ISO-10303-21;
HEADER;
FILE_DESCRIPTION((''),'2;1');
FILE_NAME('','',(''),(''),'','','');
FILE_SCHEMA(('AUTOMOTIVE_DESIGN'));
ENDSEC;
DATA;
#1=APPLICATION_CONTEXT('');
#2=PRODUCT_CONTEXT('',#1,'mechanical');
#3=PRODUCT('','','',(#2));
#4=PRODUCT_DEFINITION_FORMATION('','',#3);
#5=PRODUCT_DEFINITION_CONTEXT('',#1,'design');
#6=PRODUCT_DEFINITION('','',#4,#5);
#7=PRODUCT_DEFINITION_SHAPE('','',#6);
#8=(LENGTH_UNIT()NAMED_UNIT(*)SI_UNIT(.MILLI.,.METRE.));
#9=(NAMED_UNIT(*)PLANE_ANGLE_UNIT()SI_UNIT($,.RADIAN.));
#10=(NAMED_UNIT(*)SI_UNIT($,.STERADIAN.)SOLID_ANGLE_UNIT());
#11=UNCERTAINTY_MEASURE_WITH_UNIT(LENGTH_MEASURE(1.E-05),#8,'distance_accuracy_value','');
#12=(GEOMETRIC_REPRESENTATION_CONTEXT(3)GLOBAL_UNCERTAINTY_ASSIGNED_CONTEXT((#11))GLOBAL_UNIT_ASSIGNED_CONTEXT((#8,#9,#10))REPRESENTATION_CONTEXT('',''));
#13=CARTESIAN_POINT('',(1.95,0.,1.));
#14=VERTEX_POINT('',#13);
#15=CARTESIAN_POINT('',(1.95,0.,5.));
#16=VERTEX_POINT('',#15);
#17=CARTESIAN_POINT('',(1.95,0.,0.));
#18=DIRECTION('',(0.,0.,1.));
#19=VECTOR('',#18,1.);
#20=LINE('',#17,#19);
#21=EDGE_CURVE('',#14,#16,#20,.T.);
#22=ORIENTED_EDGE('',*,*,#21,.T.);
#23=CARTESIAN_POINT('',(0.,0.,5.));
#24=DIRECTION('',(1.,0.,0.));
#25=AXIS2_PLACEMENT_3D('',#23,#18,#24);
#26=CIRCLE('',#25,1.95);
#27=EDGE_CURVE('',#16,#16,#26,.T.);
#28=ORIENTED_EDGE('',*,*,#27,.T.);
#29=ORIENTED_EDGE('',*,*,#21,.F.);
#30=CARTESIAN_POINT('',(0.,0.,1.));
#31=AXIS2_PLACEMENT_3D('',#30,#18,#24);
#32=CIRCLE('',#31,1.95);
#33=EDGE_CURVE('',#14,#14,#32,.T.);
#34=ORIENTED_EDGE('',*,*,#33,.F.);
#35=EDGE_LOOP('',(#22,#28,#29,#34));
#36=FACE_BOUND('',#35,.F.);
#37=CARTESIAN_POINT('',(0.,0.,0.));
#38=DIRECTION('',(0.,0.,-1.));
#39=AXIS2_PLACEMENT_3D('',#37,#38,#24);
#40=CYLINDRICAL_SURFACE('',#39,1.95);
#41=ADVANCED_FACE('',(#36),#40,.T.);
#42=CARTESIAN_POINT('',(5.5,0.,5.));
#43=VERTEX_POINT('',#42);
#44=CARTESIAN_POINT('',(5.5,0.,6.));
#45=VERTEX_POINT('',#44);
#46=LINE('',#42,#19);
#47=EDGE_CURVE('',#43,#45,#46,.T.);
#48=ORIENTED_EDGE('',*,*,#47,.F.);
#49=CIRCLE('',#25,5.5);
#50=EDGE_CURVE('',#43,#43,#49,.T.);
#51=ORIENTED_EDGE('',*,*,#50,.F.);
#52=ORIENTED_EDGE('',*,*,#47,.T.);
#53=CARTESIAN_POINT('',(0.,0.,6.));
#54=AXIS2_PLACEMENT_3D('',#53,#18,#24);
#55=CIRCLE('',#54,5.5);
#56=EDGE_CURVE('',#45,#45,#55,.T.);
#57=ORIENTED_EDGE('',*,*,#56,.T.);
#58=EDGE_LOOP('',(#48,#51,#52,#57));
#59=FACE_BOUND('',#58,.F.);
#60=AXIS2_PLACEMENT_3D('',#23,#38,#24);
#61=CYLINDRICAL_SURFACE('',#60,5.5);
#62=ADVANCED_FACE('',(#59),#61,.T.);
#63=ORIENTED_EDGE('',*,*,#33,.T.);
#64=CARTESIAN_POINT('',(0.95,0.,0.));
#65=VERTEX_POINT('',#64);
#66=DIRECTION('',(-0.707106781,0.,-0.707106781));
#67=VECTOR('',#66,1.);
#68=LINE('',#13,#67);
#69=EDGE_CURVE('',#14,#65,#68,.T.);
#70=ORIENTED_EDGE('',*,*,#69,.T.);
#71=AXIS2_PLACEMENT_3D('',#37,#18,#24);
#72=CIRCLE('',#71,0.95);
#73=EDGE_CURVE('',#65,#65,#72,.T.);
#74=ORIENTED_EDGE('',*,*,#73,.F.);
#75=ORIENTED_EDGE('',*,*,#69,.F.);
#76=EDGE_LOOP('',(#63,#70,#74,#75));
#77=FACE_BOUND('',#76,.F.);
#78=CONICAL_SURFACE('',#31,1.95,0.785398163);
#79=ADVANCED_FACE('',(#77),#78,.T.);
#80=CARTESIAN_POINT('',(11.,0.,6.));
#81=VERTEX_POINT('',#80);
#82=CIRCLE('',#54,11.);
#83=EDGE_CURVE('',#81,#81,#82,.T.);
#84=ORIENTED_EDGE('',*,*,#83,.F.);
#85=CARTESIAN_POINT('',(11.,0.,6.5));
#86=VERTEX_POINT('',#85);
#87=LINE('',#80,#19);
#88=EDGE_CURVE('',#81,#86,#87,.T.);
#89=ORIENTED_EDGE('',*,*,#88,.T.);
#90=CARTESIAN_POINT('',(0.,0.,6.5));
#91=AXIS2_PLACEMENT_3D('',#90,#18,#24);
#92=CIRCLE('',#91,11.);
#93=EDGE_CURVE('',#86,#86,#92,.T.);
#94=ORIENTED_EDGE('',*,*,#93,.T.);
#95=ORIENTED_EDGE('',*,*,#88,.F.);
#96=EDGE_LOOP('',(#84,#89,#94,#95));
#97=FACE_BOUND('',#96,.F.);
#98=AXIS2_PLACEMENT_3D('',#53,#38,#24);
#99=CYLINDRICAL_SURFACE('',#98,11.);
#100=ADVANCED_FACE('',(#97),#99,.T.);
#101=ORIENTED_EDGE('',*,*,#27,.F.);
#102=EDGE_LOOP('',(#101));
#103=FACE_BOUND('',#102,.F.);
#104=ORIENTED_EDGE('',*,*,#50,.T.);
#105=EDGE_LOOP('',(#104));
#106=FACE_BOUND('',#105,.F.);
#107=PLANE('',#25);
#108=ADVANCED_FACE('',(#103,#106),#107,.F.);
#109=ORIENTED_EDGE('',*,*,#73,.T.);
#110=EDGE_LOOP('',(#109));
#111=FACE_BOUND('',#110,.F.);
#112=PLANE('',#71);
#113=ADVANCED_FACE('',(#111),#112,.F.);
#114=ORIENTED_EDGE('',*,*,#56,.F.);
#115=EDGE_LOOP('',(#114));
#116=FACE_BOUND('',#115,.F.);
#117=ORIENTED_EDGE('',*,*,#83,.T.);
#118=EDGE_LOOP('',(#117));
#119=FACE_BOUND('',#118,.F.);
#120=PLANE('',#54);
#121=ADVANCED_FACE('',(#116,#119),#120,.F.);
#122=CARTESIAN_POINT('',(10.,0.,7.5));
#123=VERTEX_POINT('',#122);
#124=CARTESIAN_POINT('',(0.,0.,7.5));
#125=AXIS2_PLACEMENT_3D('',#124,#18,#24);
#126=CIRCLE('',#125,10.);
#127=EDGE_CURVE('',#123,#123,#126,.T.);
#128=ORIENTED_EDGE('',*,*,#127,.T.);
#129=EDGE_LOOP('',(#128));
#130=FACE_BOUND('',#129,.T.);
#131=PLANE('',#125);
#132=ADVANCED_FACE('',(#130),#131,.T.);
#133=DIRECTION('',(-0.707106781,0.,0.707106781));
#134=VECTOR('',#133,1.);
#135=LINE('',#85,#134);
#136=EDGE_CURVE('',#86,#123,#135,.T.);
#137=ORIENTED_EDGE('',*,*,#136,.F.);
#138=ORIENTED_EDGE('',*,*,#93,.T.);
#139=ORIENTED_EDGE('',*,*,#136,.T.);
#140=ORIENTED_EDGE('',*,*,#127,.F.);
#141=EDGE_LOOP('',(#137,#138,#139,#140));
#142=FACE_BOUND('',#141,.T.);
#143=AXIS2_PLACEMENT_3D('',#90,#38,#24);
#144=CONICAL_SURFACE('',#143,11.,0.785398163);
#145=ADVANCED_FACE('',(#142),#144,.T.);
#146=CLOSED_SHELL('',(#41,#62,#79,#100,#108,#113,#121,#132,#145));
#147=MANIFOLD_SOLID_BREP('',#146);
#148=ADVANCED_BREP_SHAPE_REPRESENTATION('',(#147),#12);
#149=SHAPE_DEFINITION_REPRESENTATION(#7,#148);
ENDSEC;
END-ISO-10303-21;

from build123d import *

# Parameters (mm, degrees)
F0_R     = 1.95
F1_DEPTH = 5
F2_R     = 5.5
F2_R_2   = 1.95
F3_DEPTH = 1
F4_R     = 11
F5_DEPTH = 1.5
F6_SIZE  = 1


with BuildPart() as f1:
    # F0 (on Top) → F1 (new body)
    with BuildSketch(Plane.XY):
        Circle(F0_R)
    extrude(amount=F1_DEPTH)

    # F2 (on face) → F3 (join)
    with BuildSketch(Plane.XY.offset(5)):
        Circle(F2_R)
        Circle(F2_R_2, mode=Mode.SUBTRACT)
        Circle(F2_R_2)
    extrude(amount=F3_DEPTH)

    # F4 (on face) → F5 (join)
    with BuildSketch(Plane.XY.offset(6)):
        Circle(F4_R)
    extrude(amount=F5_DEPTH)

    # F6
    f6_edges = [f1.edges().sort_by_distance(p)[0] for p in [
        (-11, 0, 7.5),
        (-1.95, 0, 0),
    ]]
    chamfer(f6_edges, length=F6_SIZE)


solid = f1.part
